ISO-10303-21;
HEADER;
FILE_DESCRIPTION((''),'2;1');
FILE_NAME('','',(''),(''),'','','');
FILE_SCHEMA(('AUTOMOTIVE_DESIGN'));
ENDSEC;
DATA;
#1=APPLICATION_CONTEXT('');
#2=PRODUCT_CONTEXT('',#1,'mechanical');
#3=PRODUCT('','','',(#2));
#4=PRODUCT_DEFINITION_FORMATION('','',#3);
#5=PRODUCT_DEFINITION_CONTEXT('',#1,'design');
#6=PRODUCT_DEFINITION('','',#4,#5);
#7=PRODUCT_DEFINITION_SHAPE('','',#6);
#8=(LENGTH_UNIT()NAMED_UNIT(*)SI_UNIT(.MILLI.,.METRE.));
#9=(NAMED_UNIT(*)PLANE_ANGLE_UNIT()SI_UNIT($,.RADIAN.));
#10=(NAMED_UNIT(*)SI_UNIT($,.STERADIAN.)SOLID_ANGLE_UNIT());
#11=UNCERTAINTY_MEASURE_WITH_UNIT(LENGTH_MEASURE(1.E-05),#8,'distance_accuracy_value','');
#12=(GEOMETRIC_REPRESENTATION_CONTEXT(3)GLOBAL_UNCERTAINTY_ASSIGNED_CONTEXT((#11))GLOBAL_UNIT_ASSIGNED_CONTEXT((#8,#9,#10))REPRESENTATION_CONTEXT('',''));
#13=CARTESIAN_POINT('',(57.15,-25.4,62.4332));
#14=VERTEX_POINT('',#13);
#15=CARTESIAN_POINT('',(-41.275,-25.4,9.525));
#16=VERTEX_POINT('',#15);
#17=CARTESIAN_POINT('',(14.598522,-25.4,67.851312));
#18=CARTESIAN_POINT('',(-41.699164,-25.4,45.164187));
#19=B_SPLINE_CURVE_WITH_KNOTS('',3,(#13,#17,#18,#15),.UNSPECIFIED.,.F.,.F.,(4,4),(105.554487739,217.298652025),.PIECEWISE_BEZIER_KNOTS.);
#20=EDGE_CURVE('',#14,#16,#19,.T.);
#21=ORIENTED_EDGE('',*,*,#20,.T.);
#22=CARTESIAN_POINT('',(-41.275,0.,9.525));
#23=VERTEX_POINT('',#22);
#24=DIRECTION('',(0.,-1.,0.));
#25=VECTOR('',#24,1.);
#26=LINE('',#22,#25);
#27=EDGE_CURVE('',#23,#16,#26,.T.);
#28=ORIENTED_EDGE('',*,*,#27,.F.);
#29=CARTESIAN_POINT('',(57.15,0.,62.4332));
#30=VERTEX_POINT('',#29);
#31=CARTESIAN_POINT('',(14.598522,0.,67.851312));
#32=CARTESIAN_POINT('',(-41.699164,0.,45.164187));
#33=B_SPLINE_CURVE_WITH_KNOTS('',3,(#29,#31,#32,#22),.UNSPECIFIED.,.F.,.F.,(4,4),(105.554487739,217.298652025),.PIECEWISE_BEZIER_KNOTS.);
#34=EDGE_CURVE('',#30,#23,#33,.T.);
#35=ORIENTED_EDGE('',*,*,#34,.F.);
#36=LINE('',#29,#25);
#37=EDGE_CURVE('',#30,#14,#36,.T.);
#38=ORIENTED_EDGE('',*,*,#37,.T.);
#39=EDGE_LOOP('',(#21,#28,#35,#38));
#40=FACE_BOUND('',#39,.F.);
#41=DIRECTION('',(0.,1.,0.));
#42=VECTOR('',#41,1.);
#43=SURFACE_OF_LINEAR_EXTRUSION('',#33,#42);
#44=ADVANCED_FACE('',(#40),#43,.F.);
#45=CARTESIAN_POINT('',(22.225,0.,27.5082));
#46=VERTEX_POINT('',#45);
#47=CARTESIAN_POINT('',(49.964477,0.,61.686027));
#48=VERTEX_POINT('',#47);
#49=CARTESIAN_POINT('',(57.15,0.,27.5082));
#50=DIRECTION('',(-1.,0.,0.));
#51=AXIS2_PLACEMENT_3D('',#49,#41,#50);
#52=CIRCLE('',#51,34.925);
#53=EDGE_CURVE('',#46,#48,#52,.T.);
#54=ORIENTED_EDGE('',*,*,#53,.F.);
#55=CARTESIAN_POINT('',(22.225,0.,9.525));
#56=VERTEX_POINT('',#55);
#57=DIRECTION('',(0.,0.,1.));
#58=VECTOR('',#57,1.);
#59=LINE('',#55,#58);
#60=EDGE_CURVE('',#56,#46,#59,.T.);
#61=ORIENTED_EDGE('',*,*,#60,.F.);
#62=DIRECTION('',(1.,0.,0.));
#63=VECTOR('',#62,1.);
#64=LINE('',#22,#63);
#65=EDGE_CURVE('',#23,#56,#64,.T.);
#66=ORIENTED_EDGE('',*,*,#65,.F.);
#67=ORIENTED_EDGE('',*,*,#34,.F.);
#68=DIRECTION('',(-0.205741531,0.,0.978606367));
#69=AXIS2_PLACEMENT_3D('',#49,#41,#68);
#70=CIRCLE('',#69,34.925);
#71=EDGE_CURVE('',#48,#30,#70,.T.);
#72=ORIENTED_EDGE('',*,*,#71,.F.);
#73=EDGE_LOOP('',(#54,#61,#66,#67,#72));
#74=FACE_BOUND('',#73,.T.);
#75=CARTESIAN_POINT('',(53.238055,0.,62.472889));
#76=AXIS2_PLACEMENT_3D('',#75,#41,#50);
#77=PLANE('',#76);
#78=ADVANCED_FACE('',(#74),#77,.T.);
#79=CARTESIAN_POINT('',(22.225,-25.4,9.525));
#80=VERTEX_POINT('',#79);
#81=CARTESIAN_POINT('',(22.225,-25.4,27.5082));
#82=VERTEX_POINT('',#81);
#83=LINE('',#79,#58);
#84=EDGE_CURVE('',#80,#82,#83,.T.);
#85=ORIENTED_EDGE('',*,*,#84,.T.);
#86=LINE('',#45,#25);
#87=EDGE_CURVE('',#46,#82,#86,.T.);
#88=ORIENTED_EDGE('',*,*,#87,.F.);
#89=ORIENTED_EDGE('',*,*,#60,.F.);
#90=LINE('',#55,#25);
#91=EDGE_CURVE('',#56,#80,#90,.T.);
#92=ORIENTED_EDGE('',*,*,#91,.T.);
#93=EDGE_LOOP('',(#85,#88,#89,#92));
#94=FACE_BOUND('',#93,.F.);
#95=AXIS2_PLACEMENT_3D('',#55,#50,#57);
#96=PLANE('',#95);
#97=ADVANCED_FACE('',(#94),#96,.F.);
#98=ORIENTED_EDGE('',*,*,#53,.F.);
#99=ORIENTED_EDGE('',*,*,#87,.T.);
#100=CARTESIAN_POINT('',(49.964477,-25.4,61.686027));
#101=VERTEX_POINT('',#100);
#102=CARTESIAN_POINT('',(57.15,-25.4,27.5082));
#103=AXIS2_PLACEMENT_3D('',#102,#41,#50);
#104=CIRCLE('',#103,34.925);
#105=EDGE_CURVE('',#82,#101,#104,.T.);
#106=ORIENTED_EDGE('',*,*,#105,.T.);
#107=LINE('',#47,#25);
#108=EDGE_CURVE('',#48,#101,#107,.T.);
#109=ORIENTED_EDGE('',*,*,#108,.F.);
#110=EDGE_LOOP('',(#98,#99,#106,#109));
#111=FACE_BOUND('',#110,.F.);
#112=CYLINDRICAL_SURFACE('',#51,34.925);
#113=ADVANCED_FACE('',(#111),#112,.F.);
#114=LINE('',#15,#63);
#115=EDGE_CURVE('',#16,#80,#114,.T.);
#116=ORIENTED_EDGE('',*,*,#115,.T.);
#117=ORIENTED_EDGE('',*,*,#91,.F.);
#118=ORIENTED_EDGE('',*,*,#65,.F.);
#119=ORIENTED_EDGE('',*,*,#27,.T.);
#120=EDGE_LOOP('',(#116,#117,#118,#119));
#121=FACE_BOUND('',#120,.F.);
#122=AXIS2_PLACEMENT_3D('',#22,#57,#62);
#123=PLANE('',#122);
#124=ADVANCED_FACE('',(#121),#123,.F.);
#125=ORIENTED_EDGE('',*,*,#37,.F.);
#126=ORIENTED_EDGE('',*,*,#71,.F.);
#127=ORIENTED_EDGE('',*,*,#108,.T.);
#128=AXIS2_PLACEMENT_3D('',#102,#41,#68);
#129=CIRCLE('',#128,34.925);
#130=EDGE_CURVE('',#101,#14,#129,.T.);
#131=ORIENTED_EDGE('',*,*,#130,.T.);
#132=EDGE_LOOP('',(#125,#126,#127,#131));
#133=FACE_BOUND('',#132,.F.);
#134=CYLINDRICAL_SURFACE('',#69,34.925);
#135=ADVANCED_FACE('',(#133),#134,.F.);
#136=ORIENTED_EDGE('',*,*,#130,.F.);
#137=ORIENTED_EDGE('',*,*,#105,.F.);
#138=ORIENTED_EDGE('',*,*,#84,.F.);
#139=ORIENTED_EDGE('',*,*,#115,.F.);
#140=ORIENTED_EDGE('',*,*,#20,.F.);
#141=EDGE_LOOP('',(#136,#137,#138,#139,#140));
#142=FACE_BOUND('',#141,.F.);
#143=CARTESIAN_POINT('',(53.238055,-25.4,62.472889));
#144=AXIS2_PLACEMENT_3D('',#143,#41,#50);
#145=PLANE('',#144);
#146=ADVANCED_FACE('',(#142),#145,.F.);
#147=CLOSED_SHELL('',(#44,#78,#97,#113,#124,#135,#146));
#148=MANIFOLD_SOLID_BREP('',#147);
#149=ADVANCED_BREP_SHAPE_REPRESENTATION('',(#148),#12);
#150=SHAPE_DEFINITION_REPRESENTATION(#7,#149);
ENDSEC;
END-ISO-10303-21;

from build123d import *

# Parameters (mm, degrees)
F1_DEPTH = 25.4


with BuildPart() as f1:
    # F0 (on Front) → F1 (new body)
    with BuildSketch(Plane.XZ):
        with BuildLine():
            add(Edge.make_bspline(
                [(49.9644770319, 63.0774284212), (52.393843537, 62.9472017238), (54.79300995, 62.7333173603), (57.15, 62.4332)],
                knots=[105.5544877394, 105.5544877394, 105.5544877394, 105.5544877394, 111.7441642872, 111.7441642872, 111.7441642872, 111.7441642872], degree=3))
            Line((49.9644770319, 63.0774284212), (49.9644770319, 61.6860273838))
            ThreePointArc((49.9644770319, 61.6860273838), (53.5378674151, 62.2459046333), (57.15, 62.4332))
        make_face()
        with BuildLine():
            add(Edge.make_bspline(
                [(-41.275, 9.525), (-41.675668558, 43.1900786128), (8.5357311202, 65.298224973), (49.9644770319, 63.0774284212)],
                knots=[0, 0, 0, 0, 105.5544877394, 105.5544877394, 105.5544877394, 105.5544877394], degree=3))
            Line((-41.275, 9.525), (22.225, 9.525))
            Line((22.225, 9.525), (22.225, 27.5082))
            ThreePointArc((22.225, 27.5082), (30.0325700456, 49.5173030637), (49.9644770319, 61.6860273838))
            Line((49.9644770319, 61.6860273838), (49.9644770319, 63.0774284212))
        make_face()
    extrude(amount=F1_DEPTH)


solid = f1.part
